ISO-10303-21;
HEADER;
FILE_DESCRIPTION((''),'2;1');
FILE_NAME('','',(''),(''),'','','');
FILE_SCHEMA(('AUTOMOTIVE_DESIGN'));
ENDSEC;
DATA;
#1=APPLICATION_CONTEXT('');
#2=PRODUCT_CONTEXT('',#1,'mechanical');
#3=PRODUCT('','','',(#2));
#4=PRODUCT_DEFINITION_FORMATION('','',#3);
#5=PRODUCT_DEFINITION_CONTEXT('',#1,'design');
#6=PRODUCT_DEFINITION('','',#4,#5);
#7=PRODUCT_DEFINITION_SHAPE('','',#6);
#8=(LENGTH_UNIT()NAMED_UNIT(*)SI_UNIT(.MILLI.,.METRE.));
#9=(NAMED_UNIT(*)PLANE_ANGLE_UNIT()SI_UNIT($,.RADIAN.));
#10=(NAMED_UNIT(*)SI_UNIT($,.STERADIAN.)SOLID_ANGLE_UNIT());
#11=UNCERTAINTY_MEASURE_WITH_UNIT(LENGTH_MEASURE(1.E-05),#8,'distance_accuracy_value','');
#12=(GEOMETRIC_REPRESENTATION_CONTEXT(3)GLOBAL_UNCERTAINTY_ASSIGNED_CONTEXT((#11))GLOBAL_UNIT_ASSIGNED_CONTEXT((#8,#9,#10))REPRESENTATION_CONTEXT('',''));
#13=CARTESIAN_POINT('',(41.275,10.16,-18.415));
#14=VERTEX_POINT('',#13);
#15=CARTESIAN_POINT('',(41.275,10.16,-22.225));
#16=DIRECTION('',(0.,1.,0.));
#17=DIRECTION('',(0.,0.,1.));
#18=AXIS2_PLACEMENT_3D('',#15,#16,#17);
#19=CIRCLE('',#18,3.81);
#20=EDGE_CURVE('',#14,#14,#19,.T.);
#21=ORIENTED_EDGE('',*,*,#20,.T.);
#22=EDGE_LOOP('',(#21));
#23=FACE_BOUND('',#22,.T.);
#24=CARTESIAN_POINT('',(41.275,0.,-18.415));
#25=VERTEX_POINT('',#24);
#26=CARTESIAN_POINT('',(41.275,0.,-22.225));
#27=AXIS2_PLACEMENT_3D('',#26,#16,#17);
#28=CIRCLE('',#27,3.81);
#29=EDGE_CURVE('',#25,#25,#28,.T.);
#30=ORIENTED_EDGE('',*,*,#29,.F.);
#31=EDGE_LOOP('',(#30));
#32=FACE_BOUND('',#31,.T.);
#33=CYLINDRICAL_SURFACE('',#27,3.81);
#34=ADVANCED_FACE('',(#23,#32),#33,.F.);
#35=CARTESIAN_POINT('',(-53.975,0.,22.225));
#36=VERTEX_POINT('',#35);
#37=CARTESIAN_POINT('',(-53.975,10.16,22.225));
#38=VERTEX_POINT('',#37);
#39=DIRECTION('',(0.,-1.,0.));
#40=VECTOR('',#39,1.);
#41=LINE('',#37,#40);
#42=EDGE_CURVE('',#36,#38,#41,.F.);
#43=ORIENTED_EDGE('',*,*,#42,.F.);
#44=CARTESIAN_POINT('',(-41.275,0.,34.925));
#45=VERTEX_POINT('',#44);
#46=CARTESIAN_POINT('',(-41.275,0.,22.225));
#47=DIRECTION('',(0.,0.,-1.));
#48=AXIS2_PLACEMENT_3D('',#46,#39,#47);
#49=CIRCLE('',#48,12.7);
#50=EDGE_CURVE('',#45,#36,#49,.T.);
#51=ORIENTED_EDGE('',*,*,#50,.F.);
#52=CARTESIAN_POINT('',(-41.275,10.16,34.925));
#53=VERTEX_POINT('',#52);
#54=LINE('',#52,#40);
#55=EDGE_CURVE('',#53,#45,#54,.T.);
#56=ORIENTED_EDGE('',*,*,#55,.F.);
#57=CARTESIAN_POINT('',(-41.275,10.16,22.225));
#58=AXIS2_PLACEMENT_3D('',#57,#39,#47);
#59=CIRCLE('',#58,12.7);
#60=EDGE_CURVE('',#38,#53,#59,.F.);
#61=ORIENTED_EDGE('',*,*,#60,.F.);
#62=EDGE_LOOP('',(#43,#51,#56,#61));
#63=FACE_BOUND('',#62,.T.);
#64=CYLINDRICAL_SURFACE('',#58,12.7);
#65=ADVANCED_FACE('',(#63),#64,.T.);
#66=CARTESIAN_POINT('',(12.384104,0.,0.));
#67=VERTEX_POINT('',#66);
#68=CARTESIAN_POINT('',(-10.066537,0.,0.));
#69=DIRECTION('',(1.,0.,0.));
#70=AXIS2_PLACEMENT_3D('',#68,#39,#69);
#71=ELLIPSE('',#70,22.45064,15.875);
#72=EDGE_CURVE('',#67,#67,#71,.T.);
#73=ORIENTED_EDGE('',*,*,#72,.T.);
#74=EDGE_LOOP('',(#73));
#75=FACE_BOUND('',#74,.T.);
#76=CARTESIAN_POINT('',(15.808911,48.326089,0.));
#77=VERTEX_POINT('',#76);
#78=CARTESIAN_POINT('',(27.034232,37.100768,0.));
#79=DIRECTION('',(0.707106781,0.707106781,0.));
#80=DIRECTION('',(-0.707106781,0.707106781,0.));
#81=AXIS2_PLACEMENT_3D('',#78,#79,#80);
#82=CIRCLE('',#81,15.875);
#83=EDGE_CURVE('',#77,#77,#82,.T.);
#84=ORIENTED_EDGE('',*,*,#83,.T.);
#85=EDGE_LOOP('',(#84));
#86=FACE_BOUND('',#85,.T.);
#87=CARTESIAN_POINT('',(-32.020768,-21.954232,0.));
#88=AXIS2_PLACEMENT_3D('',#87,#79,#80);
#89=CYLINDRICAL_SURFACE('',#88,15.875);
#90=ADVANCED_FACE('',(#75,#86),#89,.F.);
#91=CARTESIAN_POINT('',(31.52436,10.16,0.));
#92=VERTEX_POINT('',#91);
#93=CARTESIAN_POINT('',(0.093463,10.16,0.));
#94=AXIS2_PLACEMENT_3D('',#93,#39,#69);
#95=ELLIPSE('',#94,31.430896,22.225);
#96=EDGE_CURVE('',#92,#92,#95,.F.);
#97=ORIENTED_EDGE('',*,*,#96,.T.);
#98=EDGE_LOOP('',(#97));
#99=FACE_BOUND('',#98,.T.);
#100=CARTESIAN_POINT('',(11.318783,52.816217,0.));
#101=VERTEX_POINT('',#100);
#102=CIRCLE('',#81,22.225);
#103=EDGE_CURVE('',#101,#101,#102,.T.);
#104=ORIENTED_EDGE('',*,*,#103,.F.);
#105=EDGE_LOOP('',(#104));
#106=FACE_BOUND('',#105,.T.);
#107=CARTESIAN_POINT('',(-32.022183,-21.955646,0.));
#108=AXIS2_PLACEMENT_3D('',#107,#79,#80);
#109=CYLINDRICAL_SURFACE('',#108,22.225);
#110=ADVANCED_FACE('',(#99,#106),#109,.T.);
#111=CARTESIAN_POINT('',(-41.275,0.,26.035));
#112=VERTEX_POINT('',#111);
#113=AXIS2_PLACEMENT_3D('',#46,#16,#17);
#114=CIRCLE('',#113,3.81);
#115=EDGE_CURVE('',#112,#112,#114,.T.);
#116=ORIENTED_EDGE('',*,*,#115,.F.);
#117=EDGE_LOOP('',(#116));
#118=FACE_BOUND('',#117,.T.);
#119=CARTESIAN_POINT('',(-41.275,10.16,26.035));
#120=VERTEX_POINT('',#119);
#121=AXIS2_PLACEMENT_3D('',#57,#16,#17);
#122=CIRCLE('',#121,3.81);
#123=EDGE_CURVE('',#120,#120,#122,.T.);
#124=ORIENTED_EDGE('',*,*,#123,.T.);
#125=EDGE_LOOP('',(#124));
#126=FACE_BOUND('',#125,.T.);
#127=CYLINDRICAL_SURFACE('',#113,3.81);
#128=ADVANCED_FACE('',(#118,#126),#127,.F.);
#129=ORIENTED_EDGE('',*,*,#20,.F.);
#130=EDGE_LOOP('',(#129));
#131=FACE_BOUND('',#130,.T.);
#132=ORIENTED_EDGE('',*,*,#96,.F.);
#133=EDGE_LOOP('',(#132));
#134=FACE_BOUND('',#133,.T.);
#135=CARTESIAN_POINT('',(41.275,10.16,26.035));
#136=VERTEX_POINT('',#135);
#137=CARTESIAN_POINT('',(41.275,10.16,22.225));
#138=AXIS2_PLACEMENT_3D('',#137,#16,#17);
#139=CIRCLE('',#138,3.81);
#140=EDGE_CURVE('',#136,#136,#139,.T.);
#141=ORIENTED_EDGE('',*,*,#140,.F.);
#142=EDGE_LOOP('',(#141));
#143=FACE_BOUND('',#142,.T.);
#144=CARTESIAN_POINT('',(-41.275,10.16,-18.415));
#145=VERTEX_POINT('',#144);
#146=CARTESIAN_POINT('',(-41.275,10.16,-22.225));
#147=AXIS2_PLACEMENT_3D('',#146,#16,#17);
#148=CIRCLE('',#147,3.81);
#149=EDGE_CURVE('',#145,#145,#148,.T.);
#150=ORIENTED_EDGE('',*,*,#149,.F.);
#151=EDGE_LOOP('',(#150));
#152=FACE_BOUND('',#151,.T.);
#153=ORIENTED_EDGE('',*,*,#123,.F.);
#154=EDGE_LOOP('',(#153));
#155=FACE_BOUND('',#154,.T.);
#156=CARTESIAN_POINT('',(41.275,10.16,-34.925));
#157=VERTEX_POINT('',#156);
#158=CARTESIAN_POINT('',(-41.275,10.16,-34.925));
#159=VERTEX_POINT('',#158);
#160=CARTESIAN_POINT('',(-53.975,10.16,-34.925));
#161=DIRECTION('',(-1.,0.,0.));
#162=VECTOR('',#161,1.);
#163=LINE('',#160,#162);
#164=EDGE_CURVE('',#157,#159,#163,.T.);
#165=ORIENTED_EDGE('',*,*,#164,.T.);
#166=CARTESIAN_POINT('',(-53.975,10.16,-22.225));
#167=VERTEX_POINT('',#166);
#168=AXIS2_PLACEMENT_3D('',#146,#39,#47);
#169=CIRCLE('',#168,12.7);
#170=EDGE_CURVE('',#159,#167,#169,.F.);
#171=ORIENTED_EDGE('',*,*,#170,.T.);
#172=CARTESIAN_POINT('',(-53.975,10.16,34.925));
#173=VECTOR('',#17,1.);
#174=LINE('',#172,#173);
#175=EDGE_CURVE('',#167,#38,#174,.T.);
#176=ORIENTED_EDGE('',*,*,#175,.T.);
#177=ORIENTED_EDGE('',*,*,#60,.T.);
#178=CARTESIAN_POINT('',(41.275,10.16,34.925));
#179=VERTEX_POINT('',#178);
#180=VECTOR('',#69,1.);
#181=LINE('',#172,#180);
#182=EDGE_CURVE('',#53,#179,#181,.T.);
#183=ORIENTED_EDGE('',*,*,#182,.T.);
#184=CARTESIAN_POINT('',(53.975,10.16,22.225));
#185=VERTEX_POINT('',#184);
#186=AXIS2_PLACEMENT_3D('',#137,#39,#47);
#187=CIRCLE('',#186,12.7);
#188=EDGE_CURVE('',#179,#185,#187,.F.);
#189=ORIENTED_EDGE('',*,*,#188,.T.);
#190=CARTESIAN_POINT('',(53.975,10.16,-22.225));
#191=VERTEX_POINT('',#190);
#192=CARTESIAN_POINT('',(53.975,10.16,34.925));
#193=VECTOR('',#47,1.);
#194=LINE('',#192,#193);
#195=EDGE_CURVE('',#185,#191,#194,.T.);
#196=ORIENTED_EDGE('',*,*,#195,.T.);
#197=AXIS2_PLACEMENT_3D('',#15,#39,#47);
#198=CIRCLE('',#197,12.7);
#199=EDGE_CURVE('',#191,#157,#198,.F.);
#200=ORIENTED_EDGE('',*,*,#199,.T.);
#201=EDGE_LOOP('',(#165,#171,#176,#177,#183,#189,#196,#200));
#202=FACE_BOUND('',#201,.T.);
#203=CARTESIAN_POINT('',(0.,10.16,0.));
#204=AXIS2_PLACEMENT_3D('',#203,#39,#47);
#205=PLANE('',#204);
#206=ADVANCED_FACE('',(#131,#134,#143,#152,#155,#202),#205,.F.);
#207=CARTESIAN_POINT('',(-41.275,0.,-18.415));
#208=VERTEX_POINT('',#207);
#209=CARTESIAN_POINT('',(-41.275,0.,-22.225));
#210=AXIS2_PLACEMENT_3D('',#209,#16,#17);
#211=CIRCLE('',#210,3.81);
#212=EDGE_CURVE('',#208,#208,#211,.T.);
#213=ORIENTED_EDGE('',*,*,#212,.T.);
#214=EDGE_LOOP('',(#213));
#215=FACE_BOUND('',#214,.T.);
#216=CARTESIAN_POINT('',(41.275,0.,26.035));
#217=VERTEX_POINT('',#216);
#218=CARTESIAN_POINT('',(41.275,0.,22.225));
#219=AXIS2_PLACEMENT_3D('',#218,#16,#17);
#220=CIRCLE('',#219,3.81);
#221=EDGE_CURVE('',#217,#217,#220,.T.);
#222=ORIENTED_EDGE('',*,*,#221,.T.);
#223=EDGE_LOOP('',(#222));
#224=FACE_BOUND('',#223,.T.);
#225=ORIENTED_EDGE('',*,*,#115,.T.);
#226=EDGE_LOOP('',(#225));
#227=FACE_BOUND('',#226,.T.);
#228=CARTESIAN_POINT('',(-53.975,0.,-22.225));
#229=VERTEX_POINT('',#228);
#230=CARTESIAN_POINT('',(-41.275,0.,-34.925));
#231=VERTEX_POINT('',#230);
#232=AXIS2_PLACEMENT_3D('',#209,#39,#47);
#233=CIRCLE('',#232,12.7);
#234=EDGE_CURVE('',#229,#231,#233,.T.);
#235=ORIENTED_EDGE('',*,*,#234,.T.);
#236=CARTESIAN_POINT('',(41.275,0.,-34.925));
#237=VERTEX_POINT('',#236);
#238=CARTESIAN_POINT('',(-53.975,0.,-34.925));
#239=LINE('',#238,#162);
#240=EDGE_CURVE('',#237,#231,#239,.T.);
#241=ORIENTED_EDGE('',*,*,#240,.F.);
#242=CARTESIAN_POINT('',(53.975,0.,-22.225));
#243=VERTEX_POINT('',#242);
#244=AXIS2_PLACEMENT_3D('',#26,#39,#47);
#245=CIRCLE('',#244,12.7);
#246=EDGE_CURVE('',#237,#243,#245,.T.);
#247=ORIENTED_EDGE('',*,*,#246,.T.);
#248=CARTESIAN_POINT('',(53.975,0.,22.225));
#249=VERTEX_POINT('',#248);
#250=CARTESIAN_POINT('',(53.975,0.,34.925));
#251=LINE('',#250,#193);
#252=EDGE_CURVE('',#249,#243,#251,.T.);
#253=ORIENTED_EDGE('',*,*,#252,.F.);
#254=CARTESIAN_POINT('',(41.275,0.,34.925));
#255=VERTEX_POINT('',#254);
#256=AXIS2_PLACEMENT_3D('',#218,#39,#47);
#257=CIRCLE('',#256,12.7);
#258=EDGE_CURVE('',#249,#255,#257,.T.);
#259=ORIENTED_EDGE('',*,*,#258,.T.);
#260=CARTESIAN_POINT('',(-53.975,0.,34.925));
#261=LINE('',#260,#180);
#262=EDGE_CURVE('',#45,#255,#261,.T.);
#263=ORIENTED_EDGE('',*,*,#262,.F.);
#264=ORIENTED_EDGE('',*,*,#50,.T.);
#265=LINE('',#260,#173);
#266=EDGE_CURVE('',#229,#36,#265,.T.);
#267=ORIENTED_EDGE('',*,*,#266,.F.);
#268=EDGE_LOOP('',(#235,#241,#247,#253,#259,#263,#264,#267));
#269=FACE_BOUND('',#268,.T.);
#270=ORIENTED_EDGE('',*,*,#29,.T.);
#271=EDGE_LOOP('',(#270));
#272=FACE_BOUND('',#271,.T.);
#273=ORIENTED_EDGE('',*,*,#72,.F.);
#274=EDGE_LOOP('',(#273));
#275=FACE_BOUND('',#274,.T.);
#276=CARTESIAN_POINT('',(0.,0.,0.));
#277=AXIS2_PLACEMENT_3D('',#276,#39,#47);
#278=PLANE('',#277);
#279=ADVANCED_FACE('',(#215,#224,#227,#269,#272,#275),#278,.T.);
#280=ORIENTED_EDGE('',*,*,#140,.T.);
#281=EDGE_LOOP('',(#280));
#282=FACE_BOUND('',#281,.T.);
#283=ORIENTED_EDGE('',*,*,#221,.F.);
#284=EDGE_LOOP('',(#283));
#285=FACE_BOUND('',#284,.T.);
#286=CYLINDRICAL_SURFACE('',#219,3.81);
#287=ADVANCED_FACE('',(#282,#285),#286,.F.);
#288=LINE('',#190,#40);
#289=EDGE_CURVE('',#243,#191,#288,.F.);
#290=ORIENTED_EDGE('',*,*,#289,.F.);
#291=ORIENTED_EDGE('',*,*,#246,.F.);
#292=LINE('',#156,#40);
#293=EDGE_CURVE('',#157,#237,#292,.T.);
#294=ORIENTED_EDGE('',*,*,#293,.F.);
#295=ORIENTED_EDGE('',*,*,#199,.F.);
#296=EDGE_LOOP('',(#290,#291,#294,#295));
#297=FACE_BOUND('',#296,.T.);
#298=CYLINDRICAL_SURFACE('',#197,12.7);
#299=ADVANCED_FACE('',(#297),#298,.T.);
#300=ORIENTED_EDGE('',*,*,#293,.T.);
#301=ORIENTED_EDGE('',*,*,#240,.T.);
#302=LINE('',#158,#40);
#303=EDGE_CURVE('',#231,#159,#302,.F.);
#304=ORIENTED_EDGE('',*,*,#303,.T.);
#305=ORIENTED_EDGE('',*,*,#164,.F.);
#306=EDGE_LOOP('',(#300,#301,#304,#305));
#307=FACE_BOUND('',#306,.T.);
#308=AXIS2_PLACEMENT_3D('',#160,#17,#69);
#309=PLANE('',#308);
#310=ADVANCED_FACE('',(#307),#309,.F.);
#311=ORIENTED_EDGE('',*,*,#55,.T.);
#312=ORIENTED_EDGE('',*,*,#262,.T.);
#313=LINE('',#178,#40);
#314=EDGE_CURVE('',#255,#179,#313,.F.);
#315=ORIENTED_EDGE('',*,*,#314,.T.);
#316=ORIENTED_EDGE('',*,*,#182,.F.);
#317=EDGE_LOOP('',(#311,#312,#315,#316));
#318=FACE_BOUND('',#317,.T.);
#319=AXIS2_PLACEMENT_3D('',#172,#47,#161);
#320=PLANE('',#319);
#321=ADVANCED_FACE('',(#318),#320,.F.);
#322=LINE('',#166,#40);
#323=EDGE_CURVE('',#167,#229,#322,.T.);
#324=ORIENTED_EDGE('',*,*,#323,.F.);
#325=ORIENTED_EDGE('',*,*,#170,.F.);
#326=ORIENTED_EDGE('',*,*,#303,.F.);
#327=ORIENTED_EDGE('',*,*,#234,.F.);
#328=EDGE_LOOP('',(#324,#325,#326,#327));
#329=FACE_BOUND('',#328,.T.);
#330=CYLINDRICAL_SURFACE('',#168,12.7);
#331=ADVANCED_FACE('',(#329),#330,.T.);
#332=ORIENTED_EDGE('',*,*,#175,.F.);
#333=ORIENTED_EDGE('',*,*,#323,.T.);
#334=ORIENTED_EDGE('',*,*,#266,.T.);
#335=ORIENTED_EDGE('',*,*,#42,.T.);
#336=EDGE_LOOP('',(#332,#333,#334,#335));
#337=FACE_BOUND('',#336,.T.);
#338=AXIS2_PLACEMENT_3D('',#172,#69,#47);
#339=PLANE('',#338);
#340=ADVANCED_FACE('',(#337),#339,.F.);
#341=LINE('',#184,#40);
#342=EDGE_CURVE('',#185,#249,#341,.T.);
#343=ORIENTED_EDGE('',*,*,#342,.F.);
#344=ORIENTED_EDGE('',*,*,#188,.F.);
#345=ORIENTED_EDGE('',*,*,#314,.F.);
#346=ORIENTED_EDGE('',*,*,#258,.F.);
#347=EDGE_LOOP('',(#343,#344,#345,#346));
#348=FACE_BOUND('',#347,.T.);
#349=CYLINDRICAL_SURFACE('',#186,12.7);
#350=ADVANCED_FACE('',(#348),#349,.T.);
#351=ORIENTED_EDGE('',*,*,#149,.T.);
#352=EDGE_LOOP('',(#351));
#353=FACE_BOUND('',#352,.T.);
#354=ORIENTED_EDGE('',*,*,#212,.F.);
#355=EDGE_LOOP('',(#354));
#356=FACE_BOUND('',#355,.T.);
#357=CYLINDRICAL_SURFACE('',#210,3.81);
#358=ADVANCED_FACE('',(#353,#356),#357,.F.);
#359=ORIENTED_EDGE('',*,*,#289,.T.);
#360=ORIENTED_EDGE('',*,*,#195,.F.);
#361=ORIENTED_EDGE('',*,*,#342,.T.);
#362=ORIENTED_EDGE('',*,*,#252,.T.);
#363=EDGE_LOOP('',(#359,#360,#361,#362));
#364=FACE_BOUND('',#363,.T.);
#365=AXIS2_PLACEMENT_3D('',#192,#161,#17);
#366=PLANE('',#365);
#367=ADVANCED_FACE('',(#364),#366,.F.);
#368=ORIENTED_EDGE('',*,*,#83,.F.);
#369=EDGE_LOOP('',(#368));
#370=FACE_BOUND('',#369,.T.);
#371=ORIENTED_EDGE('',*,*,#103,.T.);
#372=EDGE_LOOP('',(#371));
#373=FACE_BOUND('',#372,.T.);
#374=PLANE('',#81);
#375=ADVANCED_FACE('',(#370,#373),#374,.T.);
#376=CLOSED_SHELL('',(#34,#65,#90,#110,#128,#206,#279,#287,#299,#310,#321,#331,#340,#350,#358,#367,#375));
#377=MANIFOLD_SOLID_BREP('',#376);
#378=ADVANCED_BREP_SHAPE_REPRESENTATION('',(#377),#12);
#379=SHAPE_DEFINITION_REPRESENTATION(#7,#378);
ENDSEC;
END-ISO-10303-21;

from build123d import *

# Parameters (mm, degrees)
SKETCH1_W            = 107.95
SKETCH1_H            = 69.85
BOSS_EXTRUDE1_DEPTH  = 10.16
SKETCH3_R            = 3.81
CUT_EXTRUDE1_DEPTH   = 66.086725605
LPATTERN1_COUNT      = 20
LPATTERN1_PITCH      = 82.55
LPATTERN1_COUNT_DIR2 = 2
LPATTERN1_PITCH_DIR2 = 44.45
FILLET1_R            = 12.7
BOSS_EXTRUDE2_REACH  = 100.241
SKETCH4_R            = 22.225
SKETCH5_R            = 15.875
CUT_EXTRUDE2_DEPTH   = 99.241498296


with BuildPart() as part:
    # Sketch1 → Boss-Extrude1 (new body)
    with BuildSketch(Plane(origin=(0, 0, 0), x_dir=(1, 0, 0), z_dir=(0, 1, 0))):
        Rectangle(SKETCH1_W, SKETCH1_H)
    extrude(amount=BOSS_EXTRUDE1_DEPTH)

    # Sketch3 → Cut-Extrude1 (cut, through all)
    with BuildSketch(Plane(origin=(0, 10.16, 0), x_dir=(1, 0, 0), z_dir=(0, 1, 0))):
        with Locations(Location((41.275, 22.225, 0), (0, 0, 270))):
            Circle(SKETCH3_R)
    cut_extrude1 = extrude(amount=-CUT_EXTRUDE1_DEPTH, mode=Mode.SUBTRACT)

    # LPattern1: Cut-Extrude1 20 × 2
    with Locations(*[(-i * LPATTERN1_PITCH, 0, j * LPATTERN1_PITCH_DIR2) for i in range(LPATTERN1_COUNT) for j in range(LPATTERN1_COUNT_DIR2) if (i, j) != (0, 0)]):
        add(cut_extrude1, mode=Mode.SUBTRACT)

    # Fillet1
    fillet1_edges = [part.edges().sort_by_distance(p)[0] for p in [
        (53.975, 5.08, 34.925),
        (-53.975, 5.08, 34.925),
        (-53.975, 5.08, -34.925),
        (53.975, 5.08, -34.925),
    ]]
    fillet(fillet1_edges, radius=FILLET1_R)

    # Boss-Extrude2: up to this plane
    boss_extrude2_end = Plane(origin=(0, 10.16, 0), z_dir=(0, -1, 0))
    # Sketch4 → Boss-Extrude2 (add, up to the surface)
    with BuildSketch(Plane(origin=(32.0675, 32.0675, 0), x_dir=(0, 0, -1), z_dir=(0.7071067811865488, 0.7071067811865464, 0)), mode=Mode.PRIVATE) as boss_extrude2_sk1:
        with Locations(Location((0, 7.118116382, 0), (0, 0, 90))):
            Circle(SKETCH4_R)
    boss_extrude2_tool1 = split(extrude(boss_extrude2_sk1.sketch, amount=-BOSS_EXTRUDE2_REACH, mode=Mode.PRIVATE), bisect_by=boss_extrude2_end, keep=Keep.BOTH, mode=Mode.PRIVATE)
    add(boss_extrude2_tool1.solids().sort_by_distance((27.034232, 37.100768, 0))[0])

    # Sketch5 → Cut-Extrude2 (cut, through all)
    with BuildSketch(Plane(origin=(32.0675, 32.0675, 0), x_dir=(0, 0, -1), z_dir=(0.7071067811865488, 0.7071067811865464, 0))):
        with Locations(Location((0, 7.118116382, 0), (0, 0, 90))):
            Circle(SKETCH5_R)
    extrude(amount=-CUT_EXTRUDE2_DEPTH, mode=Mode.SUBTRACT)


solid = part.part
